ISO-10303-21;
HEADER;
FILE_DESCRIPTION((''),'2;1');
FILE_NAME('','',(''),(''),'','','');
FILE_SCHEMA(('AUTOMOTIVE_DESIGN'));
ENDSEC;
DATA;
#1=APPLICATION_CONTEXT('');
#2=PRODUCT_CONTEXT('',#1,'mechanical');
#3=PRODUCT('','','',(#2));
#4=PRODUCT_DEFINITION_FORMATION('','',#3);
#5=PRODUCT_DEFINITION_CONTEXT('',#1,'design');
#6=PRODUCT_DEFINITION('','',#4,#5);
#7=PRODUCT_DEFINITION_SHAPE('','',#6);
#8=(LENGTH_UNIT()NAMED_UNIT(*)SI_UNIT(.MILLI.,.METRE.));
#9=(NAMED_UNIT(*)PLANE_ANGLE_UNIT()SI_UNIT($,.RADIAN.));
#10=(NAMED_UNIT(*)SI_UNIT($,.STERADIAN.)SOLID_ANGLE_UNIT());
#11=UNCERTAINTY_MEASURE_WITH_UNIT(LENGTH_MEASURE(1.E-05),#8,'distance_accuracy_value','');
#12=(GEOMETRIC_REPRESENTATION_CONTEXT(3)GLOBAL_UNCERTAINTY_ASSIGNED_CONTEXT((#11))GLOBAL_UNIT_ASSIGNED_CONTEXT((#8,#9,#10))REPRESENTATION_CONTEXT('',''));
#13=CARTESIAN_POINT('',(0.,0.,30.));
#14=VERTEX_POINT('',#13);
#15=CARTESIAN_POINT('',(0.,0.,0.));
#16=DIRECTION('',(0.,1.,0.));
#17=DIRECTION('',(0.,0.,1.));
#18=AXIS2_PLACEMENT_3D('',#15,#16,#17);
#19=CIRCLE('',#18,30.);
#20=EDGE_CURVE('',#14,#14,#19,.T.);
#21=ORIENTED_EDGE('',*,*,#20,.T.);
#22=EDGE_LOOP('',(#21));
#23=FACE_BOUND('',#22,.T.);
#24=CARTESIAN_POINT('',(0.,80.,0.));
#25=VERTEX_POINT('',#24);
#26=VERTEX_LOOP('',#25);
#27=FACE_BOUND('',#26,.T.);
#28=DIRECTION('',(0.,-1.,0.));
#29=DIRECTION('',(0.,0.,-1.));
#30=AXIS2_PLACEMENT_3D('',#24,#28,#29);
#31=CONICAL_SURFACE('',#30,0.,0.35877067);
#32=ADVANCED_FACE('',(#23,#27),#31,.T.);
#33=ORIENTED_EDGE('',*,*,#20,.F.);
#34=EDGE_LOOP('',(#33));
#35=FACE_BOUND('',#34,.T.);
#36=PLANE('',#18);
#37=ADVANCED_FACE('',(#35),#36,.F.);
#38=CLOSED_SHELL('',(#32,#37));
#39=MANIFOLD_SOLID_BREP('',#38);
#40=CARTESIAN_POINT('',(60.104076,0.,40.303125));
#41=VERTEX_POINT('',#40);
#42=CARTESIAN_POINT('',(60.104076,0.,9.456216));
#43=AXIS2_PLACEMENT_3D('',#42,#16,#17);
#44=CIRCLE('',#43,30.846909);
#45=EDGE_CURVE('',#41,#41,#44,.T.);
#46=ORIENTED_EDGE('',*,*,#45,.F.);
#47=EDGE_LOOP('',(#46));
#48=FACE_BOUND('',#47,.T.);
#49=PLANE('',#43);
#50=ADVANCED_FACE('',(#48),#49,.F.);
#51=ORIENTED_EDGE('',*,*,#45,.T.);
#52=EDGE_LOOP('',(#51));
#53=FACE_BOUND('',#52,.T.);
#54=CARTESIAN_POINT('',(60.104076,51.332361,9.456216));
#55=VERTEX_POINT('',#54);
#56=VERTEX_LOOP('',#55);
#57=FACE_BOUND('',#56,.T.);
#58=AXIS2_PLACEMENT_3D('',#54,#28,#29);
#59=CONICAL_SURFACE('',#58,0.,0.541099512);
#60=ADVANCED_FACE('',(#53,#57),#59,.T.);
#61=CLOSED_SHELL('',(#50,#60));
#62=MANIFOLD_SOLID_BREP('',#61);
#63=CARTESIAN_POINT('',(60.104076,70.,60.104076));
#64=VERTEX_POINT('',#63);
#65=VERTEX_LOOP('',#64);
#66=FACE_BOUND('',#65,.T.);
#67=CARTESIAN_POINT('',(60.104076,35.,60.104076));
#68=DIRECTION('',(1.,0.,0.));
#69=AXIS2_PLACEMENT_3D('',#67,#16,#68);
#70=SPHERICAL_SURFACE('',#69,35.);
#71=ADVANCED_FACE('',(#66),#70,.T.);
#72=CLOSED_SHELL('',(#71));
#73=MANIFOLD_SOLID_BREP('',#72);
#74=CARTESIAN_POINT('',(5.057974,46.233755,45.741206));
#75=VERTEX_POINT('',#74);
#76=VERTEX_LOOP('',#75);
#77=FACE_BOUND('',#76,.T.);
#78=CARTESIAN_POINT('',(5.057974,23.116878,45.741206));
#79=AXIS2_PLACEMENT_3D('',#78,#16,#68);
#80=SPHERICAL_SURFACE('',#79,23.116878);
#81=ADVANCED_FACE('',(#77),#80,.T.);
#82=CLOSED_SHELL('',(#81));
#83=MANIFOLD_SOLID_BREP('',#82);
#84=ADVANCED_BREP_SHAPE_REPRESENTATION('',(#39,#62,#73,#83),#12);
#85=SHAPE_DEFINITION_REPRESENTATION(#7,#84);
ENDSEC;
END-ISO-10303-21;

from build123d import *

# Parameters (mm, degrees)
SKETCH1_R = 30
SKETCH4_R = 30.84690874


with BuildPart() as part:
    # Sketch1 → ConeB section 0
    with BuildSketch(Plane(origin=(0, 0, 0), x_dir=(1, 0, 0), z_dir=(0, 1, 0)), mode=Mode.PRIVATE) as coneb_s0:
        Circle(SKETCH1_R)
    loft([Vertex(0, 80, 0), coneb_s0.sketch])


with BuildPart() as body_2:
    # Sketch3 → SphereA (revolve)
    with BuildSketch(Plane.XY.offset(60.1040764)):
        with BuildLine():
            Line((60.1040764, 70), (60.1040764, 0))
            ThreePointArc((60.1040764, 0), (95.1040764, 35), (60.1040764, 70))
        make_face()
    revolve(axis=Axis((60.1040764, 70, 60.1040764), (0, -1, 0)))


with BuildPart() as body_3:
    # Sketch4 → ConeD section 0
    with BuildSketch(Plane(origin=(0, 0, 0), x_dir=(1, 0, 0), z_dir=(0, 1, 0)), mode=Mode.PRIVATE) as coned_s0:
        with Locations((60.1040764, -9.45621576)):
            Circle(SKETCH4_R)
    loft([coned_s0.sketch, Vertex(60.1040764, 51.33236066, 9.45621576)])


with BuildPart() as body_4:
    # Sketch6 → SphereC (revolve)
    with BuildSketch(Plane.XY.offset(45.74120625)):
        with BuildLine():
            Line((5.05797364, 46.23375526), (5.05797364, 0))
            ThreePointArc((5.05797364, 0), (28.17485127, 23.11687763), (5.05797364, 46.23375526))
        make_face()
    revolve(axis=Axis((5.05797364, 46.23375526, 45.74120625), (0, -1, 0)))


solid = Compound([part.part, body_2.part, body_3.part, body_4.part])
